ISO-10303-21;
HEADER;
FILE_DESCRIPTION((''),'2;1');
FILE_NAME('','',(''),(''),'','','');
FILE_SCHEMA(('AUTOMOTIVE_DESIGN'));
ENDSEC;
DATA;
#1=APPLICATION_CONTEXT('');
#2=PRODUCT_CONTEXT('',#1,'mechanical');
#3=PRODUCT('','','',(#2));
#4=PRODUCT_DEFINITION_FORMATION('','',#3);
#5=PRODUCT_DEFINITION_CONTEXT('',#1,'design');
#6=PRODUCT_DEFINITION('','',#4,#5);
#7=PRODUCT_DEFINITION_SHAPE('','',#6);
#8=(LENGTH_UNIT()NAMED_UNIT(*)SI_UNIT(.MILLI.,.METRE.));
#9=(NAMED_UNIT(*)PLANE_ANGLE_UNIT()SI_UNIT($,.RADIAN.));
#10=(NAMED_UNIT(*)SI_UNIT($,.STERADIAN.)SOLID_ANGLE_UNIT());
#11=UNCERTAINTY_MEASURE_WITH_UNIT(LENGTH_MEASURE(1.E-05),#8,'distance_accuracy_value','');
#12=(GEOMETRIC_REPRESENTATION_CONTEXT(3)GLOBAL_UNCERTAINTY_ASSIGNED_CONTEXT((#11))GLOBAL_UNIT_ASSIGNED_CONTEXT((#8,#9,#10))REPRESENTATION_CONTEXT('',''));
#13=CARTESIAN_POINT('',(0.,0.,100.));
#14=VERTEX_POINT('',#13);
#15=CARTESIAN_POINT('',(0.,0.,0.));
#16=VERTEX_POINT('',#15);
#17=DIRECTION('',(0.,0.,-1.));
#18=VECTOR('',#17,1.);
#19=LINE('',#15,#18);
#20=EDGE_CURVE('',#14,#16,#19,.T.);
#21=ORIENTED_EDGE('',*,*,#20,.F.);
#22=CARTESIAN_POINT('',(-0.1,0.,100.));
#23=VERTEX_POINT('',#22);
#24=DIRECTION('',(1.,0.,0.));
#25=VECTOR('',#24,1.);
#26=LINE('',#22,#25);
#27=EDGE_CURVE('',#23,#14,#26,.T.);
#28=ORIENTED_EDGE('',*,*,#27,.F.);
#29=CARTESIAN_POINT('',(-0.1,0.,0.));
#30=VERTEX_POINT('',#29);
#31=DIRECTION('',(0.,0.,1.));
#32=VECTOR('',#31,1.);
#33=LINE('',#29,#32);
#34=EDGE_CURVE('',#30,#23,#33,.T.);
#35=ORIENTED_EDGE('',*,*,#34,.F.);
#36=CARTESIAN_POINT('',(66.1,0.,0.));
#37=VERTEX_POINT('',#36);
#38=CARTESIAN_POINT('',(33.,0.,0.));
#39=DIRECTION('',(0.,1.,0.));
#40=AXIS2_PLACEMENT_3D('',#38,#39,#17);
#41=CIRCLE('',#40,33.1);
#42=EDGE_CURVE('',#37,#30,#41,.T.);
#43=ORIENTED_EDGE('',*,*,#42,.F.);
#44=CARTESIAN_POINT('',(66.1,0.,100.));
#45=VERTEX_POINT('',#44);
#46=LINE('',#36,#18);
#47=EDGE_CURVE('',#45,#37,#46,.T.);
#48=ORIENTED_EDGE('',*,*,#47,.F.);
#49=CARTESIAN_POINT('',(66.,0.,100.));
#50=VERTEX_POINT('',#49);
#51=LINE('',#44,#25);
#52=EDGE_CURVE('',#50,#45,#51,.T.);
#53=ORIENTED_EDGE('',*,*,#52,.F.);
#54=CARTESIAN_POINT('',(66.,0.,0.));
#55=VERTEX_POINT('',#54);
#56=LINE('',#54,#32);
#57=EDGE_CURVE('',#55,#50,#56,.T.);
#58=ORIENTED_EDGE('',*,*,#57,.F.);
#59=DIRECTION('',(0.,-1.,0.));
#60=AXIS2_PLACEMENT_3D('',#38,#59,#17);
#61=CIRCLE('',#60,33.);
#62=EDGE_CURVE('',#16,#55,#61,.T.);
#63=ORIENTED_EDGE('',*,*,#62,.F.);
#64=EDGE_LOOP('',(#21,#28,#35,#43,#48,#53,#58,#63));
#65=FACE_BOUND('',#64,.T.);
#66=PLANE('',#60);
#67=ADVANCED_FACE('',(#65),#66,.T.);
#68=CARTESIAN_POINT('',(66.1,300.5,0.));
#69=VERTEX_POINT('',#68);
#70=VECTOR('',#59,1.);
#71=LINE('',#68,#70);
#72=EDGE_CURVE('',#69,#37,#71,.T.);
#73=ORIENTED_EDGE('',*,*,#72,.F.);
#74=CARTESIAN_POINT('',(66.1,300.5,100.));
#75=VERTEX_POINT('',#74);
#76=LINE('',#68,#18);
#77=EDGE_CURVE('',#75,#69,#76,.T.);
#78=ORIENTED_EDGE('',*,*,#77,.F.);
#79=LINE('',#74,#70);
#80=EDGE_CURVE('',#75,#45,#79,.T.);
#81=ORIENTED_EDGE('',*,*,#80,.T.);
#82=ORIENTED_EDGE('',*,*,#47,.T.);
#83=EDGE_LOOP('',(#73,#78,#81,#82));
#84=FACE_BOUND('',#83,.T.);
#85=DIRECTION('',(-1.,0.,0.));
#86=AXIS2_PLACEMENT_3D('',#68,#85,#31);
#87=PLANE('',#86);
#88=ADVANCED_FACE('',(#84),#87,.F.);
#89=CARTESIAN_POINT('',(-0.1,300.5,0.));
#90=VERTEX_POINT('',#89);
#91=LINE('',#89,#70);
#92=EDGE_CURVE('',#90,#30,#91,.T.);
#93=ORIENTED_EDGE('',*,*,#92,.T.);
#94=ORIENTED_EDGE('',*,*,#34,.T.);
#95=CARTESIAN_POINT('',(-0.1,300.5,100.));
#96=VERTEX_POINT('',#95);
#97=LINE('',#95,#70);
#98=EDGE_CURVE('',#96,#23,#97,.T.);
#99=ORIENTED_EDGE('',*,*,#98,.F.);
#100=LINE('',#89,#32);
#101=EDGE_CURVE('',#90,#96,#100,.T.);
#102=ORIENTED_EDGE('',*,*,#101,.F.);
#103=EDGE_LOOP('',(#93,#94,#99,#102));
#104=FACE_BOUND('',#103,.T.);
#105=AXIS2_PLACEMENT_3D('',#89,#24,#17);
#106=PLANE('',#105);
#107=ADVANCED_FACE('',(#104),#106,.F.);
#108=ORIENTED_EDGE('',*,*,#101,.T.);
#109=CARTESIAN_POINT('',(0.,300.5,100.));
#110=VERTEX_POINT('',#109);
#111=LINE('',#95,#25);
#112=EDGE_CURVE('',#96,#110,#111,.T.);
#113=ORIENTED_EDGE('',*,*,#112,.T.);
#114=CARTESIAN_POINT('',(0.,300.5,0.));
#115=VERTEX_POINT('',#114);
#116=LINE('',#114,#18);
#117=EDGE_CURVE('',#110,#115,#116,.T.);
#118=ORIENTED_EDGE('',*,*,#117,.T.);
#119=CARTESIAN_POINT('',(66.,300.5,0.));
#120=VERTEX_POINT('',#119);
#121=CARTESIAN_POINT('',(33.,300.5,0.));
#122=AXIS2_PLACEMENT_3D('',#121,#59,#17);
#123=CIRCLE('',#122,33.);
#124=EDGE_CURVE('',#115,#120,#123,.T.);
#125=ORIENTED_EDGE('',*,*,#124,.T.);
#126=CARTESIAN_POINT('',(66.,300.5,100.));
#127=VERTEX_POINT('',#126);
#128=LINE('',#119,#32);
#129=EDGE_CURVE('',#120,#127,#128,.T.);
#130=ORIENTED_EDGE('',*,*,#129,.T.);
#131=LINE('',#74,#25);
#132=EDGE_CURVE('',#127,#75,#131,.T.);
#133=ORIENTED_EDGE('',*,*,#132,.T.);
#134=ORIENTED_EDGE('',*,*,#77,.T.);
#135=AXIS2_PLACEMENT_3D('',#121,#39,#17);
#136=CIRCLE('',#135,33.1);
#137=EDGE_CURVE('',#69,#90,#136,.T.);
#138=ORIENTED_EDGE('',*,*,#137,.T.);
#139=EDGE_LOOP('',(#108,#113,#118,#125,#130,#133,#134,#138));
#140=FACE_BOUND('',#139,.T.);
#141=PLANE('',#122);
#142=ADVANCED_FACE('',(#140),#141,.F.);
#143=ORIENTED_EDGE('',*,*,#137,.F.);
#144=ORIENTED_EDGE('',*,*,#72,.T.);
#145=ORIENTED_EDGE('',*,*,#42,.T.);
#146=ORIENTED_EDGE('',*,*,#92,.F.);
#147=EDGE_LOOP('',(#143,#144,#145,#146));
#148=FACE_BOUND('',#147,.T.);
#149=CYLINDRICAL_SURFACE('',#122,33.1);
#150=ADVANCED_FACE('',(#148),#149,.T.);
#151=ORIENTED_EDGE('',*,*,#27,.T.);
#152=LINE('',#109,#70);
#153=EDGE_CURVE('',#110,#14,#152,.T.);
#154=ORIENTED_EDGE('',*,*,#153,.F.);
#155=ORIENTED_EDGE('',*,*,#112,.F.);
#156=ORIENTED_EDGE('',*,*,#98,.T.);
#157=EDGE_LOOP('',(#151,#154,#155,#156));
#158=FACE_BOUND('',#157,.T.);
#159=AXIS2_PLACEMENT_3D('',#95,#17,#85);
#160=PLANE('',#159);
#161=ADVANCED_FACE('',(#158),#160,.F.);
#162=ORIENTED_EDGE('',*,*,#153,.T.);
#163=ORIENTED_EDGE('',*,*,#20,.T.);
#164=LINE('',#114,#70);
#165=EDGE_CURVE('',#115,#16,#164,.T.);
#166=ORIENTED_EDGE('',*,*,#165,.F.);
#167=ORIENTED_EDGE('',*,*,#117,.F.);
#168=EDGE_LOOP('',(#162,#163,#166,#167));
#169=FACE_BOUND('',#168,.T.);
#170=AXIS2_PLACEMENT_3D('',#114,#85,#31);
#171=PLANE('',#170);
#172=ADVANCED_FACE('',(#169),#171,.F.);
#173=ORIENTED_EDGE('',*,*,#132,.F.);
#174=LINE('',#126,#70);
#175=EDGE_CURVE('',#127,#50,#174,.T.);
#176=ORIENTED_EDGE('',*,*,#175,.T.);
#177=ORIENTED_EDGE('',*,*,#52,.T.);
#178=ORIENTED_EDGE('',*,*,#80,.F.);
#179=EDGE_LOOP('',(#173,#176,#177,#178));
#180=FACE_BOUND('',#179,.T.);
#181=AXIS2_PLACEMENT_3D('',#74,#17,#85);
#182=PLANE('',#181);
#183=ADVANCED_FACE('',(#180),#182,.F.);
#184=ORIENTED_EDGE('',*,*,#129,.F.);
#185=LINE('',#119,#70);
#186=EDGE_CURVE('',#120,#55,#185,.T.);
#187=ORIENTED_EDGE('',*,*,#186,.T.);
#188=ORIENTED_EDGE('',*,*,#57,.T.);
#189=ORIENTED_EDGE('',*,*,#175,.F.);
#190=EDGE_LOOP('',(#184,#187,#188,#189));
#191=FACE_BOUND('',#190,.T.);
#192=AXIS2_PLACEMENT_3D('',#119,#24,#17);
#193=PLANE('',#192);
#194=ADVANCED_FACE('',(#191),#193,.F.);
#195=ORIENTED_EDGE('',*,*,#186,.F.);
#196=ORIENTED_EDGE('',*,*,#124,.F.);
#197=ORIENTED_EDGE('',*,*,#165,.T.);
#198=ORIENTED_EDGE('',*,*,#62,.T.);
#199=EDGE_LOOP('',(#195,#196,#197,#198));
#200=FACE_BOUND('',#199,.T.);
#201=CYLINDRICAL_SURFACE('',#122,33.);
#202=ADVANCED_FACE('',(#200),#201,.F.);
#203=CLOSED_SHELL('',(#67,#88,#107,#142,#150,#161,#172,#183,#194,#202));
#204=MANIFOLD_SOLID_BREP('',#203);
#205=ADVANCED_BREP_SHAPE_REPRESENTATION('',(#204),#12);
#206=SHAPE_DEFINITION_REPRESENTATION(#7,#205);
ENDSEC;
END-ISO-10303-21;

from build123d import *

# Parameters (mm, degrees)
BOSS_EXTRUDE1_DEPTH = 300.5


with BuildPart() as part:
    # Sketch1 → Boss-Extrude1 (new body)
    with BuildSketch(Plane(origin=(0, 0, 0), x_dir=(1, 0, 0), z_dir=(0, 1, 0))):
        with BuildLine():
            Line((0, 0), (0, -100))
            Line((0, -100), (-0.1, -100))
            Line((-0.1, -100), (-0.1, 0))
            ThreePointArc((-0.1, 0), (33, 33.1), (66.1, 0))
            Line((66.1, 0), (66.1, -100))
            Line((66.1, -100), (66, -100))
            Line((66, -100), (66, 0))
            ThreePointArc((66, 0), (33, 33), (0, 0))
        make_face()
    extrude(amount=BOSS_EXTRUDE1_DEPTH)


solid = part.part
